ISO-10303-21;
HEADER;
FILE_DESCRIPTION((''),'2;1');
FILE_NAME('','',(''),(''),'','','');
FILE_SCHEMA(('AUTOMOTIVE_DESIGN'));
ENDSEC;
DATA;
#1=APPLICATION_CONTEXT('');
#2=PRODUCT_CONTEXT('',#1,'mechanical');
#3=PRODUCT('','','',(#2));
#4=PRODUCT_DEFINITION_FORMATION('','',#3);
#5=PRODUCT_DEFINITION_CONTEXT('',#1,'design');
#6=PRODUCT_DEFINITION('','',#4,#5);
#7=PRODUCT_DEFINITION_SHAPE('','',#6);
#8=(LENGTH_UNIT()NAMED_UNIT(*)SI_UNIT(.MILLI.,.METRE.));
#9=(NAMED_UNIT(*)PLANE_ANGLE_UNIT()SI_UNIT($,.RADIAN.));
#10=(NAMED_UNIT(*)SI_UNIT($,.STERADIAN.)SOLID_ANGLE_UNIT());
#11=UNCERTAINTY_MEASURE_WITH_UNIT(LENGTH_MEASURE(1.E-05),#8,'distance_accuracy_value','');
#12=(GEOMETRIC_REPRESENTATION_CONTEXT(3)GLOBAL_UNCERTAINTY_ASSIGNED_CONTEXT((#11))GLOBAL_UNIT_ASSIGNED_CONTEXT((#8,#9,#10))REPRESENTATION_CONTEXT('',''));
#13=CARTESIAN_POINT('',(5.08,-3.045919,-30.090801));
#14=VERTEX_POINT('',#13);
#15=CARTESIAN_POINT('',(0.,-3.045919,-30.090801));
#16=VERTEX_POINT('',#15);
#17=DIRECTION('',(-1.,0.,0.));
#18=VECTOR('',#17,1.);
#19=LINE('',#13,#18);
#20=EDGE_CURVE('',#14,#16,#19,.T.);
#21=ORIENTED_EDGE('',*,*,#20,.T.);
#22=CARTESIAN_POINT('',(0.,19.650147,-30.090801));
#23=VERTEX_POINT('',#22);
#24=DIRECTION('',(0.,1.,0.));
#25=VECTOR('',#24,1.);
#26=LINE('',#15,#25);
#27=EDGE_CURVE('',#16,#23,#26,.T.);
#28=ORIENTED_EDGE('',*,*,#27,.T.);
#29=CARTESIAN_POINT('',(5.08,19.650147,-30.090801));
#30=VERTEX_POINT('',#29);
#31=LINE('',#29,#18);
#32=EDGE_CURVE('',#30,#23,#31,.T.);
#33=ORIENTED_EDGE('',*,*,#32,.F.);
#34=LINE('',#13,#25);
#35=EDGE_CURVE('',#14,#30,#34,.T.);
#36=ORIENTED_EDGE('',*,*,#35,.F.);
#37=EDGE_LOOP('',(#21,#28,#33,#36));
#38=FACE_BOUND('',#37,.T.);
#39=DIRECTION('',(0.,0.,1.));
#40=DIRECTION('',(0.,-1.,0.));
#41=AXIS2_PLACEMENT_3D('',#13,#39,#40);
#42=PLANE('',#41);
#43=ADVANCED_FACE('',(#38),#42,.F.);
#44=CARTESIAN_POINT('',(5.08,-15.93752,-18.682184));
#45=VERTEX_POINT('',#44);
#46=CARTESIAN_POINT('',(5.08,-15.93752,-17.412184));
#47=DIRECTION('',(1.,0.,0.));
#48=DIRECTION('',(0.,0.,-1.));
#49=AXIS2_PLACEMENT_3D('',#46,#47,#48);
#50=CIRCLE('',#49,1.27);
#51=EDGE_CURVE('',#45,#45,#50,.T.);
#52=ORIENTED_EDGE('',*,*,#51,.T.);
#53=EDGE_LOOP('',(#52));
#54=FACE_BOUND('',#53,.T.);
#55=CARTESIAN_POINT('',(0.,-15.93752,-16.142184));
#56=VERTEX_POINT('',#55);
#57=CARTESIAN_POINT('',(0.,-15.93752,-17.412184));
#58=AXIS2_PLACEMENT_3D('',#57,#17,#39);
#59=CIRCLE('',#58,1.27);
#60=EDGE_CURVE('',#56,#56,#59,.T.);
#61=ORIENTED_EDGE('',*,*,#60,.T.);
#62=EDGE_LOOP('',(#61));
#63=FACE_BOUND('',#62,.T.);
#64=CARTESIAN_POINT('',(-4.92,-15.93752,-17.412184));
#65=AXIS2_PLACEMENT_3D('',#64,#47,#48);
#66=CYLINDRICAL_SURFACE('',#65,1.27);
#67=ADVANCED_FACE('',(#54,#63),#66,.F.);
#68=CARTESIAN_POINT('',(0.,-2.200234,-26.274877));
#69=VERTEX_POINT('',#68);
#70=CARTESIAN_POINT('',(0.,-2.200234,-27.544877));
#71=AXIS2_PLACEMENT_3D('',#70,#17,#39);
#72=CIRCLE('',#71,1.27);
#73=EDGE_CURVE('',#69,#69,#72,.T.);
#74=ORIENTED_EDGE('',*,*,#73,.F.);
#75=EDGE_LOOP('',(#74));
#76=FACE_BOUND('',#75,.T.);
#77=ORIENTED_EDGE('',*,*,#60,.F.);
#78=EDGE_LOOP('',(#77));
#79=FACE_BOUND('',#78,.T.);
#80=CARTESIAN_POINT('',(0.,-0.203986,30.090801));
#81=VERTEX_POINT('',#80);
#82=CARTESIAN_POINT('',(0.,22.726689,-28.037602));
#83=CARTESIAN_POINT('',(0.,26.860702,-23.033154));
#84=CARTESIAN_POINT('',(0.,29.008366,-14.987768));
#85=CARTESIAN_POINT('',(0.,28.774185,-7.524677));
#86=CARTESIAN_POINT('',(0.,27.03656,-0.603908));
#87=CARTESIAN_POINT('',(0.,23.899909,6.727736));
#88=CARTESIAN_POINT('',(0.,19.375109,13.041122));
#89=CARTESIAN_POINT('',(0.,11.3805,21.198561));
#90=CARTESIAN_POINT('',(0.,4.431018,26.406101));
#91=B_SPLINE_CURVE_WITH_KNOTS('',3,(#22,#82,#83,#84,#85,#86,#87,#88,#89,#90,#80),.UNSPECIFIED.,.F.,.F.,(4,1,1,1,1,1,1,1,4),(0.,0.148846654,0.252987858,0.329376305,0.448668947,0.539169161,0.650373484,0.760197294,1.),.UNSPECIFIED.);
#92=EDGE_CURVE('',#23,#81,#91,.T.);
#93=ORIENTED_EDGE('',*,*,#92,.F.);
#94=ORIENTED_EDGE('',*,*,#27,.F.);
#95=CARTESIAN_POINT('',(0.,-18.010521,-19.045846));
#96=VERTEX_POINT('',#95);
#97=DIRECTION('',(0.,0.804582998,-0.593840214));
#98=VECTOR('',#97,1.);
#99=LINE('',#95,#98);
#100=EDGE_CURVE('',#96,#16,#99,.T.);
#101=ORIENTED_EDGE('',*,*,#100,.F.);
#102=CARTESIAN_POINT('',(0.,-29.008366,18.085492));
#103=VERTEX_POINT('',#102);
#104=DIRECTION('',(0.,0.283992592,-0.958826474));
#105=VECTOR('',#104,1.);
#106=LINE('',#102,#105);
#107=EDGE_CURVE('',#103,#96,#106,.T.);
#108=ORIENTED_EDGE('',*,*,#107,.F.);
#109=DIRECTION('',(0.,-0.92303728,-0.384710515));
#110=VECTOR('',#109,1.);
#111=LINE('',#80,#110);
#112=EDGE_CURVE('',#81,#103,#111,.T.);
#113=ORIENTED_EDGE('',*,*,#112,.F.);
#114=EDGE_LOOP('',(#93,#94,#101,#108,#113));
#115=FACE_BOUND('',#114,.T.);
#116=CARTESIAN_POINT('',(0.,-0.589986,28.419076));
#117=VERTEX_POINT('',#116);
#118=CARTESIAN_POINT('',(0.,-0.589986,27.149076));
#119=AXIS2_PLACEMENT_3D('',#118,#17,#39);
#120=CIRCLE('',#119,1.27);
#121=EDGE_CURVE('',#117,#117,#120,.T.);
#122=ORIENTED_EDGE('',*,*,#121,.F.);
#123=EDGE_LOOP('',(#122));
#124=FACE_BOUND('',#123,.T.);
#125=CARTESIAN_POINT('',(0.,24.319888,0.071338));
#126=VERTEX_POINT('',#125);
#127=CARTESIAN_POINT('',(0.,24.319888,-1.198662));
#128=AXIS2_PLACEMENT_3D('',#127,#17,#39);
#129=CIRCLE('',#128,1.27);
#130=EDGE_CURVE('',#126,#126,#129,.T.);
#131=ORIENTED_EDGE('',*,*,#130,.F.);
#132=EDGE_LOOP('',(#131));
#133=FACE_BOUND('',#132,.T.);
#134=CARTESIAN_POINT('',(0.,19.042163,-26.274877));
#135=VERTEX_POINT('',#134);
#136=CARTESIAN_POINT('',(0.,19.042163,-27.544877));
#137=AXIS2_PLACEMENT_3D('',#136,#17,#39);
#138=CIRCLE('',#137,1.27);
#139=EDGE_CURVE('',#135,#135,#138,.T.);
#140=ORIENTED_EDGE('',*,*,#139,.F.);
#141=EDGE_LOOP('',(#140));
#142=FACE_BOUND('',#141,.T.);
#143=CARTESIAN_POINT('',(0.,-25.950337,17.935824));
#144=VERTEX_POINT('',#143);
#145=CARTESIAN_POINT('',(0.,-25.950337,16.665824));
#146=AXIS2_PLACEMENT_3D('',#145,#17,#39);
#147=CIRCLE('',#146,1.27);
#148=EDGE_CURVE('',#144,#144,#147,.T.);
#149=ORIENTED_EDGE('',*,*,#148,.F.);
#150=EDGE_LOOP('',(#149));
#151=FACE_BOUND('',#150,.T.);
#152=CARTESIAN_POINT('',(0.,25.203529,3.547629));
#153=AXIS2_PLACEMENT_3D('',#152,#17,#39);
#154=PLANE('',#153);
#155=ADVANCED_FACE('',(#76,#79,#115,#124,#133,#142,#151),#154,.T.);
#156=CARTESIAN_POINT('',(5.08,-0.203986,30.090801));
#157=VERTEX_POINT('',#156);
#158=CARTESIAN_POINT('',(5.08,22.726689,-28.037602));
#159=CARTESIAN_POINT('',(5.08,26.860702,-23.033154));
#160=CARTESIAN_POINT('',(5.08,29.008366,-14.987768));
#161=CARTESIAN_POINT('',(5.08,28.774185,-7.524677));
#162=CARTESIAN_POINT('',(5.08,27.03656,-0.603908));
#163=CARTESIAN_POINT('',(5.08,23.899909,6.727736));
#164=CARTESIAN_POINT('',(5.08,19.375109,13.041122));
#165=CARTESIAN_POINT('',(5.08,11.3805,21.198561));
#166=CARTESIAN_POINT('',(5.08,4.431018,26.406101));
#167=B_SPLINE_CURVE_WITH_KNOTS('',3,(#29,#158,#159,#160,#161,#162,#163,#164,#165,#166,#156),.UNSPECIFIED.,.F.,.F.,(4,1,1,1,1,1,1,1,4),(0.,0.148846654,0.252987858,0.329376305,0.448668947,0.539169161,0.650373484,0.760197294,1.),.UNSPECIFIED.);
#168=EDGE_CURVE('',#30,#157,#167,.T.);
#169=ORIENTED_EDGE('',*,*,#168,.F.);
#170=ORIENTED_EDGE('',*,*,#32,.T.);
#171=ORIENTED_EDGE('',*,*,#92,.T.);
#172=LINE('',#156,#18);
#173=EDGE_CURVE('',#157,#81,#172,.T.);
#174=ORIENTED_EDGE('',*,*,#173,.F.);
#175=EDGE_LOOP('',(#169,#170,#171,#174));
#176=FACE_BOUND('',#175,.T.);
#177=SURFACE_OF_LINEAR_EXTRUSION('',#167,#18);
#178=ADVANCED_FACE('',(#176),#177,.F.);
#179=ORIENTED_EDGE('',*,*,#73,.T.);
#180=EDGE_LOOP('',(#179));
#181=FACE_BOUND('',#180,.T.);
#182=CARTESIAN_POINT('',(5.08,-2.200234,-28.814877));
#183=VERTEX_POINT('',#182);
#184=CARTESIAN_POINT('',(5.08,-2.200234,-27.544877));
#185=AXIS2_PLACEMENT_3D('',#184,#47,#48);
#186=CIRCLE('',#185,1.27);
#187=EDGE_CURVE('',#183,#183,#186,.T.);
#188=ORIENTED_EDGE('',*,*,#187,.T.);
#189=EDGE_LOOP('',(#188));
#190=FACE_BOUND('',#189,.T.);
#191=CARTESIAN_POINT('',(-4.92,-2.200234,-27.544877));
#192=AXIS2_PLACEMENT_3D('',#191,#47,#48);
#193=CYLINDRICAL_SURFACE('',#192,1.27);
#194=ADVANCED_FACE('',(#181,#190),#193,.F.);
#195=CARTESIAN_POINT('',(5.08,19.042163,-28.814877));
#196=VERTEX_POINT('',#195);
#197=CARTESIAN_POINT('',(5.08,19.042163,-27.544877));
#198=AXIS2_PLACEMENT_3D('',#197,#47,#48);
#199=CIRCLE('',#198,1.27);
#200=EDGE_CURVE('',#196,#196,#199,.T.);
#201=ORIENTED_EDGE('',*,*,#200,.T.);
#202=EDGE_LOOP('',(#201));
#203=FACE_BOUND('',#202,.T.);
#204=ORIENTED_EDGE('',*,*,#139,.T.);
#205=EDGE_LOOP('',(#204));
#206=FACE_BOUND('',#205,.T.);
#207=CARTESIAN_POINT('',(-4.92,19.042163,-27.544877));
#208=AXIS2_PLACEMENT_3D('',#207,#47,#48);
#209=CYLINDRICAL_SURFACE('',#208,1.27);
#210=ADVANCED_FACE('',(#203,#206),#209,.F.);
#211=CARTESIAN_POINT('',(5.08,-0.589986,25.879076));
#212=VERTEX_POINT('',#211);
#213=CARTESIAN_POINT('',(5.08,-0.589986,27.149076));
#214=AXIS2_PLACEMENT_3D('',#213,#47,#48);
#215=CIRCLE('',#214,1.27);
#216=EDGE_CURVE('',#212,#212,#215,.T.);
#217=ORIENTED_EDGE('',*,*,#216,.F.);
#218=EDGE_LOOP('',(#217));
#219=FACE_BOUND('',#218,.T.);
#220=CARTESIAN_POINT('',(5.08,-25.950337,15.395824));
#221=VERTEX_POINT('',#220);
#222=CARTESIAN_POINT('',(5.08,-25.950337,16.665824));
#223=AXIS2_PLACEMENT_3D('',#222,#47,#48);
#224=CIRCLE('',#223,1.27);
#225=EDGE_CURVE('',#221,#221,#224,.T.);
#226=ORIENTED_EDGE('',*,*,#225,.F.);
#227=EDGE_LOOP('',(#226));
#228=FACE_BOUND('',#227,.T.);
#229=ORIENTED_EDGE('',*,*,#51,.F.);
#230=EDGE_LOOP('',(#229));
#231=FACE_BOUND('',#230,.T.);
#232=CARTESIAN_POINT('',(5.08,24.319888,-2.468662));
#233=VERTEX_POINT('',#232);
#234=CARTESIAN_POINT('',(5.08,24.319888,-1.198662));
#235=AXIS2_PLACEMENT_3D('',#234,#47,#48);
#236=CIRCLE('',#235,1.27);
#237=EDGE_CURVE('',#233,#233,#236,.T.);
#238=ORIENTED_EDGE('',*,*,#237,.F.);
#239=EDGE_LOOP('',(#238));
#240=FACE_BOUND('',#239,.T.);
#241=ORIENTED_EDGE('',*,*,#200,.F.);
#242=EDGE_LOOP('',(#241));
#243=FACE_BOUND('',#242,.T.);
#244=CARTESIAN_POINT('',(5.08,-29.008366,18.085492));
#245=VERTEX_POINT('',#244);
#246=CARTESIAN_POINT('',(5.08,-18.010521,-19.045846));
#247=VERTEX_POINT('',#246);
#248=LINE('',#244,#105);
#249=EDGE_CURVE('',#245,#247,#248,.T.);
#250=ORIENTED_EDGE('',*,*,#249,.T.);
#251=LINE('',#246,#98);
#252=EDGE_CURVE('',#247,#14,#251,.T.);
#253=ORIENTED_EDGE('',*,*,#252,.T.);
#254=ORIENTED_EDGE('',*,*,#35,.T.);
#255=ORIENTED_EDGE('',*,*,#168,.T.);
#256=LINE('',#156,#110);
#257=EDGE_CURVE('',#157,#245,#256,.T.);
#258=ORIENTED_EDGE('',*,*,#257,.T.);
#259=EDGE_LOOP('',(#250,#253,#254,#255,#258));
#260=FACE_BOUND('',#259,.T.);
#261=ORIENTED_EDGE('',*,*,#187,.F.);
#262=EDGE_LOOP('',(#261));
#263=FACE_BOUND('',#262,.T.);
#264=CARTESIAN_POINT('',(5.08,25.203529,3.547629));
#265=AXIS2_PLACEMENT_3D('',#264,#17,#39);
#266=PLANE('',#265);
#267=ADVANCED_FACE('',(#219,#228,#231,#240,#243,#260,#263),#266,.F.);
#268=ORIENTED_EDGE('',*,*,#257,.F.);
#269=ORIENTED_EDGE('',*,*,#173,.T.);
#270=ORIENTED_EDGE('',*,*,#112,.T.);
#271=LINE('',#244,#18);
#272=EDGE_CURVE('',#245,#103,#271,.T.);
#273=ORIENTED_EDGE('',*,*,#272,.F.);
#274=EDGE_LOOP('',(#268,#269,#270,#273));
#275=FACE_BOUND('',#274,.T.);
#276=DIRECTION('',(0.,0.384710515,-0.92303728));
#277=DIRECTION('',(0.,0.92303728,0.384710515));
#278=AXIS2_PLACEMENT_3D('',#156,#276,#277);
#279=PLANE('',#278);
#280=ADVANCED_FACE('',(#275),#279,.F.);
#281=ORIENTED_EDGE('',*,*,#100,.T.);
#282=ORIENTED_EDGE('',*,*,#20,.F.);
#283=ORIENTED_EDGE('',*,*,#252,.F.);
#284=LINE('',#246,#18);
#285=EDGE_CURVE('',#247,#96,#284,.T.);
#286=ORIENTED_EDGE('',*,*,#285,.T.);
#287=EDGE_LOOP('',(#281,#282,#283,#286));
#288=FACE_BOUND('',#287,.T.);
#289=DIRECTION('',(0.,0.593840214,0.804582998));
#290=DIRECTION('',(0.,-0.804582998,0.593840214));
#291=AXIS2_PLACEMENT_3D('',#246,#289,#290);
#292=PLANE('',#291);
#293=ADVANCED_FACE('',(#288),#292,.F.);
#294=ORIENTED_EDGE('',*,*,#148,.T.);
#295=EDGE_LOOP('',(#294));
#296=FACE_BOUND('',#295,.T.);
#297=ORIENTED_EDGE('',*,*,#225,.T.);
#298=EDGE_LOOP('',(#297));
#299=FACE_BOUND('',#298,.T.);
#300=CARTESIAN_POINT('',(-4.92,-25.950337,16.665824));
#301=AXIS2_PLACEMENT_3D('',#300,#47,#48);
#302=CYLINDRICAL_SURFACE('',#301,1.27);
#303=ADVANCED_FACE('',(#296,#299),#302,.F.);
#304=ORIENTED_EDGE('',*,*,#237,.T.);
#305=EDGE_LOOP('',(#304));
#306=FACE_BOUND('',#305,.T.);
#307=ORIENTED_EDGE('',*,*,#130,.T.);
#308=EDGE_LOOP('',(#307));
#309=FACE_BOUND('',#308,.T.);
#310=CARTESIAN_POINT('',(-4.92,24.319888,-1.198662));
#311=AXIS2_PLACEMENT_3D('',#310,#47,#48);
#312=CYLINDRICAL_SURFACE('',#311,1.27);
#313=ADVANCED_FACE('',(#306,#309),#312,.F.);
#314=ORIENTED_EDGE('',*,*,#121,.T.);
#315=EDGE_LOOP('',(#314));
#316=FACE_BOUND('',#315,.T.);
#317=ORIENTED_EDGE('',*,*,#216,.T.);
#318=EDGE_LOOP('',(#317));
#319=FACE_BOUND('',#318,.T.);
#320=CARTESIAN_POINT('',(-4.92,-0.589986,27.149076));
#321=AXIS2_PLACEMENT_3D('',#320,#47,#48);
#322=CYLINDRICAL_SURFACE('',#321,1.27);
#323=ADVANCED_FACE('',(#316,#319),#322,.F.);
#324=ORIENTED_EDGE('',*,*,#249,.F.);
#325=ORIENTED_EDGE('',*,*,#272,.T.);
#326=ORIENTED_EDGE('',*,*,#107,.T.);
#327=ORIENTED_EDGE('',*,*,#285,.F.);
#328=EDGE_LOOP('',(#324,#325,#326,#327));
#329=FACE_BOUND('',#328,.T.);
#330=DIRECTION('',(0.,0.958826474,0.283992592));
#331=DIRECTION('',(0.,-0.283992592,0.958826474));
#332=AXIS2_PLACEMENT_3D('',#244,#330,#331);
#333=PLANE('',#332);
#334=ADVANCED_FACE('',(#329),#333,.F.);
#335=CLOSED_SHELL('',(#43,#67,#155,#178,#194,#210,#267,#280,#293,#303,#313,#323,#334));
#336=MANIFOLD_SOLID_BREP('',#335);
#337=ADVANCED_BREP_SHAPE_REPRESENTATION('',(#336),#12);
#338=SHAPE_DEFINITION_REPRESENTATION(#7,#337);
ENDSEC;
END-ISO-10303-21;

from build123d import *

# Parameters (mm, degrees)
BOSS_EXTRUDE1_DEPTH = 5.08
SKETCH2_R           = 1.27
CUT_EXTRUDE1_DEPTH  = 10


with BuildPart() as part:
    # Sketch1 → Boss-Extrude1 (new body)
    with BuildSketch(Plane(origin=(0, 0, 0), x_dir=(0, 0, -1), z_dir=(1, 0, 0))):
        with BuildLine():
            Line((-30.090800845, -0.203985657), (-18.085491541, -29.008366119))
            Line((-18.085491541, -29.008366119), (19.045846251, -18.010521201))
            Line((19.045846251, -18.010521201), (30.090800845, -3.045918822))
            Line((30.090800845, -3.045918822), (30.090800845, 19.650147268))
            add(Edge.make_bspline(
                [(30.090800845, 19.650147268), (28.037602076, 22.726688549), (23.033153586, 26.860701903), (14.987767723, 29.008366119), (7.524677055, 28.774184664), (0.603908496, 27.036559666), (-6.727735861, 23.899909345), (-13.041122451, 19.375109172), (-21.198561263, 11.380500033), (-26.40610074, 4.431018315), (-30.090800845, -0.203985657)],
                knots=[0, 0, 0, 0, 0.148846654, 0.252987858, 0.329376305, 0.448668947, 0.539169161, 0.650373484, 0.760197294, 1, 1, 1, 1], degree=3))
        make_face()
    extrude(amount=BOSS_EXTRUDE1_DEPTH)

    # Sketch2 → Cut-Extrude1 (cut)
    with BuildSketch(Plane(origin=(5.08, 0, 0), x_dir=(0, 0, -1), z_dir=(1, 0, 0))):
        with Locations((-27.1490755, -0.589985571)):
            Circle(SKETCH2_R)
        with Locations((-16.665824451, -25.950337288)):
            Circle(SKETCH2_R)
        with Locations((17.412184036, -15.937519564)):
            Circle(SKETCH2_R)
        with Locations((27.54487652, -2.200233664)):
            Circle(SKETCH2_R)
        with Locations((27.54487652, 19.042163131)):
            Circle(SKETCH2_R)
        with Locations((1.198662119, 24.319887944)):
            Circle(SKETCH2_R)
    extrude(amount=-CUT_EXTRUDE1_DEPTH, mode=Mode.SUBTRACT)


solid = part.part
